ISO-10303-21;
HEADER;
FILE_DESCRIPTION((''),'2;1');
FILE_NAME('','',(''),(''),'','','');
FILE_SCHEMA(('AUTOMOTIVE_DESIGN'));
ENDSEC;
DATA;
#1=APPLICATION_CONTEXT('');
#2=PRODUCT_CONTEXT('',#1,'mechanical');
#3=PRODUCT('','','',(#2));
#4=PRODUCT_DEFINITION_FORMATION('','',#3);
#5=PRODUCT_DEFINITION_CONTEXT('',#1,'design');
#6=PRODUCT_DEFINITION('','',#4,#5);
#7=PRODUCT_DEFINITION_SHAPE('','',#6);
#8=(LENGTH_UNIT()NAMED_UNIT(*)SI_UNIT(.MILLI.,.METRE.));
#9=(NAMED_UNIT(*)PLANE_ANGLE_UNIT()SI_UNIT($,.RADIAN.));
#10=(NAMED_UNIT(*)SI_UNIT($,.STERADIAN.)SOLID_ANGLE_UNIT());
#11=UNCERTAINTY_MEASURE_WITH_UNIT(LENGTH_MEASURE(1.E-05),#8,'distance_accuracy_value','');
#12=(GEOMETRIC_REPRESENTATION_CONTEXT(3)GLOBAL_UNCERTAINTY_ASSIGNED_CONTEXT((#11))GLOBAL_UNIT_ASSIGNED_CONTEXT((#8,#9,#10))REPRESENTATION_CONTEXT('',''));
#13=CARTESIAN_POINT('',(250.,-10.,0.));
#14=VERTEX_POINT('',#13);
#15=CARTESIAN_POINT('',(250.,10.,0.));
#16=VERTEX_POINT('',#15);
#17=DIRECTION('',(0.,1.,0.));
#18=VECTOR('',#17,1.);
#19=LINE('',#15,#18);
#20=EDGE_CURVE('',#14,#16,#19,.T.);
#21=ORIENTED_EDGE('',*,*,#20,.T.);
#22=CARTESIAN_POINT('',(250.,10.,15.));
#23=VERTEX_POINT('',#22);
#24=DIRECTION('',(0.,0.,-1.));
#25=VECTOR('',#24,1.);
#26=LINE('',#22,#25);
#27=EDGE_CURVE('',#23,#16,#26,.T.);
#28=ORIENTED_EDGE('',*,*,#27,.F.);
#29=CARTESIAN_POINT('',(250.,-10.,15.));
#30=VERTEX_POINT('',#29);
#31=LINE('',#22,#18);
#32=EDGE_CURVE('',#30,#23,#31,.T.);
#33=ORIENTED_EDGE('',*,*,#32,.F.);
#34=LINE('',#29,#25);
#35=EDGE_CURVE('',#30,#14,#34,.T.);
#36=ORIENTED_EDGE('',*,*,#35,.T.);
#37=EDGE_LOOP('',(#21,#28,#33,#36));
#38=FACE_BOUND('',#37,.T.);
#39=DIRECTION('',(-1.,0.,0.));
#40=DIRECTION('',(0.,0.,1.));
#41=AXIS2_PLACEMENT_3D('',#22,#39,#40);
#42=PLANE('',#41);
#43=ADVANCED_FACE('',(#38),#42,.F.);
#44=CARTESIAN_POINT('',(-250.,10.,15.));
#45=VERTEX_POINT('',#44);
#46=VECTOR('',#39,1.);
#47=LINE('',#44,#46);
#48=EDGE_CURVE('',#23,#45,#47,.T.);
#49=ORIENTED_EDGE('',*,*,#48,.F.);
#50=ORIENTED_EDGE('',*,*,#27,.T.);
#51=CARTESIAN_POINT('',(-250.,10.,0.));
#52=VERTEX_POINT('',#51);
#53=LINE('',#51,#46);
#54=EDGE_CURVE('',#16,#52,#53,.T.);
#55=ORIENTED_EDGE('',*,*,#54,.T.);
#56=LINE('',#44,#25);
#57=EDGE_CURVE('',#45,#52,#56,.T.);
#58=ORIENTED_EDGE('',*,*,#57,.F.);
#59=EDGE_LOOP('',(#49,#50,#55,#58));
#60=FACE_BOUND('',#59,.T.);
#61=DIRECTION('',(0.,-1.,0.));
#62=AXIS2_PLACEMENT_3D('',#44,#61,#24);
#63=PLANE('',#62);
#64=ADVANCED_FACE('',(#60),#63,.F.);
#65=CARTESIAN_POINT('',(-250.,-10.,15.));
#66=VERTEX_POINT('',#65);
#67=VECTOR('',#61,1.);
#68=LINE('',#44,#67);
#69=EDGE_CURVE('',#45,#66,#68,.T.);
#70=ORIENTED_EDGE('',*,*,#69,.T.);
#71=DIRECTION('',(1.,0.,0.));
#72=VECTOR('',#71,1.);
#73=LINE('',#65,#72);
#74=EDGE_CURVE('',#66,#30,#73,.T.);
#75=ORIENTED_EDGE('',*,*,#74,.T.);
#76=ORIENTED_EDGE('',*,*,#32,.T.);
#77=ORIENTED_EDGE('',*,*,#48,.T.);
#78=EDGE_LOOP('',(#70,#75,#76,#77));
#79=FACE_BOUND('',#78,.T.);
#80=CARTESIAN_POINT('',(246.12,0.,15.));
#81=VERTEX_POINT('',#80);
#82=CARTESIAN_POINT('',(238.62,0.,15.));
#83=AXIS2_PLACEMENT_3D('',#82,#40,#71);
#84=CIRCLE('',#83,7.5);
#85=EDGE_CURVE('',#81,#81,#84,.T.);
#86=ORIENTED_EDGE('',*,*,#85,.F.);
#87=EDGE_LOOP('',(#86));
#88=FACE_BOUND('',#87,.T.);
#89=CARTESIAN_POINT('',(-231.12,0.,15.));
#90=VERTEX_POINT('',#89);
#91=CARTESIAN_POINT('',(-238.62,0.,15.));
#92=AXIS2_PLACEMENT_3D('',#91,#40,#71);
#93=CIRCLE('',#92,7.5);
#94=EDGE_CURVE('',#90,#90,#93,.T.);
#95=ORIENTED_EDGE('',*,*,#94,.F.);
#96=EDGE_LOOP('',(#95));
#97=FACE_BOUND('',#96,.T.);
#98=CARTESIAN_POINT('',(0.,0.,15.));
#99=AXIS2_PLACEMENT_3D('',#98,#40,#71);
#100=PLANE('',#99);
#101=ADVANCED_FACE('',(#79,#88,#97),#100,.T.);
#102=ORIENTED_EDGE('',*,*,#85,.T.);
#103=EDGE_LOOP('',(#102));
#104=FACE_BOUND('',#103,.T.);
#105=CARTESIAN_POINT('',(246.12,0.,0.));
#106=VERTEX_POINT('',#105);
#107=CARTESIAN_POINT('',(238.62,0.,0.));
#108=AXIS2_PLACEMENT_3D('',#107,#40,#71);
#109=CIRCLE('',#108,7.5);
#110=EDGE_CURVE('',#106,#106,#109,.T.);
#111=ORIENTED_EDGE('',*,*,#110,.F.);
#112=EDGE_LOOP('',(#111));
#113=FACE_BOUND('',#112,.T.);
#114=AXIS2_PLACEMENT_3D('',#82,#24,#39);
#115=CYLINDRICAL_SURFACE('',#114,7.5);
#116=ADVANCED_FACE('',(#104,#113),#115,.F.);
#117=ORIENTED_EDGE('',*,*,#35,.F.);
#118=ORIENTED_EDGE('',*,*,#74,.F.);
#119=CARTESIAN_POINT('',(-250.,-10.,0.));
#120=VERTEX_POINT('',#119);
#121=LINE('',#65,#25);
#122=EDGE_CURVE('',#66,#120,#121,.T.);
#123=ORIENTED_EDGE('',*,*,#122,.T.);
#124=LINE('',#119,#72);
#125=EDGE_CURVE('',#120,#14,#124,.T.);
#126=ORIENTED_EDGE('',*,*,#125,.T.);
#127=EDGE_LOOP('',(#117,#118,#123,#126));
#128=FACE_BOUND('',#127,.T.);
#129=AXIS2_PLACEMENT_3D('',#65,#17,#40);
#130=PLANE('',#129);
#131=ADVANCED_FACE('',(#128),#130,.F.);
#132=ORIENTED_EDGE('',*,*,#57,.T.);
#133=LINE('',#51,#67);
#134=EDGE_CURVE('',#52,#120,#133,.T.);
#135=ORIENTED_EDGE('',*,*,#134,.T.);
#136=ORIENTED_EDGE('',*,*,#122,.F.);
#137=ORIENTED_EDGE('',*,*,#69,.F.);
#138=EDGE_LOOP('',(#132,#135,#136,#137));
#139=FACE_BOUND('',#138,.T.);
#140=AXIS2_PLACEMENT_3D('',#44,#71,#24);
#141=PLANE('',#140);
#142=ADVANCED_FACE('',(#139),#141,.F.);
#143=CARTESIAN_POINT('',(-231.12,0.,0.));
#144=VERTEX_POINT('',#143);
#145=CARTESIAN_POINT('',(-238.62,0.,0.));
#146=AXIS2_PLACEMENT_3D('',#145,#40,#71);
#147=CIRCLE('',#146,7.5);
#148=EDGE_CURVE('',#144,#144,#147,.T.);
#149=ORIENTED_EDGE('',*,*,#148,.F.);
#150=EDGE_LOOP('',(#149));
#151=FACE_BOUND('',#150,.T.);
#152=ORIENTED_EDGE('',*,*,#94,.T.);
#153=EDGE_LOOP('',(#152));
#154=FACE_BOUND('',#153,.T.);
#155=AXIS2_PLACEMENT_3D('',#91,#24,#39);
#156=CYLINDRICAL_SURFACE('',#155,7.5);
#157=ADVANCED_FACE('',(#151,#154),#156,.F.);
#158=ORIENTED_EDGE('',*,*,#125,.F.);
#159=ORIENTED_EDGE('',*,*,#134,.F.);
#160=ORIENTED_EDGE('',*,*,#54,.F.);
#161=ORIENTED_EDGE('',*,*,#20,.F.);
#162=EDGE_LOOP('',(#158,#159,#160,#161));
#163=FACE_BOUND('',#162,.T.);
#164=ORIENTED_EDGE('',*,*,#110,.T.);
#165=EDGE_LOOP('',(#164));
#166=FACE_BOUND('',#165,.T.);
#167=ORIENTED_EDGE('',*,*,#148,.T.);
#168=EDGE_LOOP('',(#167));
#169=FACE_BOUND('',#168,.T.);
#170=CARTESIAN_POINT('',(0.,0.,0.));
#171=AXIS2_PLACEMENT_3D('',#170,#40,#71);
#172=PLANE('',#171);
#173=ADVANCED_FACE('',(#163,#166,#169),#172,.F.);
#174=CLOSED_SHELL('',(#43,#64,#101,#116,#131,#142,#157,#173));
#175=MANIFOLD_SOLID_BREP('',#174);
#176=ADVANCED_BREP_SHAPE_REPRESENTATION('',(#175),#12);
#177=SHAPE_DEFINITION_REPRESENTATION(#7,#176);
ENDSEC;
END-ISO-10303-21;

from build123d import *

# Parameters (mm, degrees)
SKETCH1_W           = 500
SKETCH1_H           = 20
SKETCH1_R           = 7.5
BOSS_EXTRUDE1_DEPTH = 15


with BuildPart() as part:
    # Sketch1 → Boss-Extrude1 (new body)
    with BuildSketch(Plane.XY):
        Rectangle(SKETCH1_W, SKETCH1_H)
        with Locations((-238.62, 0)):
            Circle(SKETCH1_R, mode=Mode.SUBTRACT)
        with Locations((238.62, 0)):
            Circle(SKETCH1_R, mode=Mode.SUBTRACT)
    extrude(amount=BOSS_EXTRUDE1_DEPTH)


solid = part.part
